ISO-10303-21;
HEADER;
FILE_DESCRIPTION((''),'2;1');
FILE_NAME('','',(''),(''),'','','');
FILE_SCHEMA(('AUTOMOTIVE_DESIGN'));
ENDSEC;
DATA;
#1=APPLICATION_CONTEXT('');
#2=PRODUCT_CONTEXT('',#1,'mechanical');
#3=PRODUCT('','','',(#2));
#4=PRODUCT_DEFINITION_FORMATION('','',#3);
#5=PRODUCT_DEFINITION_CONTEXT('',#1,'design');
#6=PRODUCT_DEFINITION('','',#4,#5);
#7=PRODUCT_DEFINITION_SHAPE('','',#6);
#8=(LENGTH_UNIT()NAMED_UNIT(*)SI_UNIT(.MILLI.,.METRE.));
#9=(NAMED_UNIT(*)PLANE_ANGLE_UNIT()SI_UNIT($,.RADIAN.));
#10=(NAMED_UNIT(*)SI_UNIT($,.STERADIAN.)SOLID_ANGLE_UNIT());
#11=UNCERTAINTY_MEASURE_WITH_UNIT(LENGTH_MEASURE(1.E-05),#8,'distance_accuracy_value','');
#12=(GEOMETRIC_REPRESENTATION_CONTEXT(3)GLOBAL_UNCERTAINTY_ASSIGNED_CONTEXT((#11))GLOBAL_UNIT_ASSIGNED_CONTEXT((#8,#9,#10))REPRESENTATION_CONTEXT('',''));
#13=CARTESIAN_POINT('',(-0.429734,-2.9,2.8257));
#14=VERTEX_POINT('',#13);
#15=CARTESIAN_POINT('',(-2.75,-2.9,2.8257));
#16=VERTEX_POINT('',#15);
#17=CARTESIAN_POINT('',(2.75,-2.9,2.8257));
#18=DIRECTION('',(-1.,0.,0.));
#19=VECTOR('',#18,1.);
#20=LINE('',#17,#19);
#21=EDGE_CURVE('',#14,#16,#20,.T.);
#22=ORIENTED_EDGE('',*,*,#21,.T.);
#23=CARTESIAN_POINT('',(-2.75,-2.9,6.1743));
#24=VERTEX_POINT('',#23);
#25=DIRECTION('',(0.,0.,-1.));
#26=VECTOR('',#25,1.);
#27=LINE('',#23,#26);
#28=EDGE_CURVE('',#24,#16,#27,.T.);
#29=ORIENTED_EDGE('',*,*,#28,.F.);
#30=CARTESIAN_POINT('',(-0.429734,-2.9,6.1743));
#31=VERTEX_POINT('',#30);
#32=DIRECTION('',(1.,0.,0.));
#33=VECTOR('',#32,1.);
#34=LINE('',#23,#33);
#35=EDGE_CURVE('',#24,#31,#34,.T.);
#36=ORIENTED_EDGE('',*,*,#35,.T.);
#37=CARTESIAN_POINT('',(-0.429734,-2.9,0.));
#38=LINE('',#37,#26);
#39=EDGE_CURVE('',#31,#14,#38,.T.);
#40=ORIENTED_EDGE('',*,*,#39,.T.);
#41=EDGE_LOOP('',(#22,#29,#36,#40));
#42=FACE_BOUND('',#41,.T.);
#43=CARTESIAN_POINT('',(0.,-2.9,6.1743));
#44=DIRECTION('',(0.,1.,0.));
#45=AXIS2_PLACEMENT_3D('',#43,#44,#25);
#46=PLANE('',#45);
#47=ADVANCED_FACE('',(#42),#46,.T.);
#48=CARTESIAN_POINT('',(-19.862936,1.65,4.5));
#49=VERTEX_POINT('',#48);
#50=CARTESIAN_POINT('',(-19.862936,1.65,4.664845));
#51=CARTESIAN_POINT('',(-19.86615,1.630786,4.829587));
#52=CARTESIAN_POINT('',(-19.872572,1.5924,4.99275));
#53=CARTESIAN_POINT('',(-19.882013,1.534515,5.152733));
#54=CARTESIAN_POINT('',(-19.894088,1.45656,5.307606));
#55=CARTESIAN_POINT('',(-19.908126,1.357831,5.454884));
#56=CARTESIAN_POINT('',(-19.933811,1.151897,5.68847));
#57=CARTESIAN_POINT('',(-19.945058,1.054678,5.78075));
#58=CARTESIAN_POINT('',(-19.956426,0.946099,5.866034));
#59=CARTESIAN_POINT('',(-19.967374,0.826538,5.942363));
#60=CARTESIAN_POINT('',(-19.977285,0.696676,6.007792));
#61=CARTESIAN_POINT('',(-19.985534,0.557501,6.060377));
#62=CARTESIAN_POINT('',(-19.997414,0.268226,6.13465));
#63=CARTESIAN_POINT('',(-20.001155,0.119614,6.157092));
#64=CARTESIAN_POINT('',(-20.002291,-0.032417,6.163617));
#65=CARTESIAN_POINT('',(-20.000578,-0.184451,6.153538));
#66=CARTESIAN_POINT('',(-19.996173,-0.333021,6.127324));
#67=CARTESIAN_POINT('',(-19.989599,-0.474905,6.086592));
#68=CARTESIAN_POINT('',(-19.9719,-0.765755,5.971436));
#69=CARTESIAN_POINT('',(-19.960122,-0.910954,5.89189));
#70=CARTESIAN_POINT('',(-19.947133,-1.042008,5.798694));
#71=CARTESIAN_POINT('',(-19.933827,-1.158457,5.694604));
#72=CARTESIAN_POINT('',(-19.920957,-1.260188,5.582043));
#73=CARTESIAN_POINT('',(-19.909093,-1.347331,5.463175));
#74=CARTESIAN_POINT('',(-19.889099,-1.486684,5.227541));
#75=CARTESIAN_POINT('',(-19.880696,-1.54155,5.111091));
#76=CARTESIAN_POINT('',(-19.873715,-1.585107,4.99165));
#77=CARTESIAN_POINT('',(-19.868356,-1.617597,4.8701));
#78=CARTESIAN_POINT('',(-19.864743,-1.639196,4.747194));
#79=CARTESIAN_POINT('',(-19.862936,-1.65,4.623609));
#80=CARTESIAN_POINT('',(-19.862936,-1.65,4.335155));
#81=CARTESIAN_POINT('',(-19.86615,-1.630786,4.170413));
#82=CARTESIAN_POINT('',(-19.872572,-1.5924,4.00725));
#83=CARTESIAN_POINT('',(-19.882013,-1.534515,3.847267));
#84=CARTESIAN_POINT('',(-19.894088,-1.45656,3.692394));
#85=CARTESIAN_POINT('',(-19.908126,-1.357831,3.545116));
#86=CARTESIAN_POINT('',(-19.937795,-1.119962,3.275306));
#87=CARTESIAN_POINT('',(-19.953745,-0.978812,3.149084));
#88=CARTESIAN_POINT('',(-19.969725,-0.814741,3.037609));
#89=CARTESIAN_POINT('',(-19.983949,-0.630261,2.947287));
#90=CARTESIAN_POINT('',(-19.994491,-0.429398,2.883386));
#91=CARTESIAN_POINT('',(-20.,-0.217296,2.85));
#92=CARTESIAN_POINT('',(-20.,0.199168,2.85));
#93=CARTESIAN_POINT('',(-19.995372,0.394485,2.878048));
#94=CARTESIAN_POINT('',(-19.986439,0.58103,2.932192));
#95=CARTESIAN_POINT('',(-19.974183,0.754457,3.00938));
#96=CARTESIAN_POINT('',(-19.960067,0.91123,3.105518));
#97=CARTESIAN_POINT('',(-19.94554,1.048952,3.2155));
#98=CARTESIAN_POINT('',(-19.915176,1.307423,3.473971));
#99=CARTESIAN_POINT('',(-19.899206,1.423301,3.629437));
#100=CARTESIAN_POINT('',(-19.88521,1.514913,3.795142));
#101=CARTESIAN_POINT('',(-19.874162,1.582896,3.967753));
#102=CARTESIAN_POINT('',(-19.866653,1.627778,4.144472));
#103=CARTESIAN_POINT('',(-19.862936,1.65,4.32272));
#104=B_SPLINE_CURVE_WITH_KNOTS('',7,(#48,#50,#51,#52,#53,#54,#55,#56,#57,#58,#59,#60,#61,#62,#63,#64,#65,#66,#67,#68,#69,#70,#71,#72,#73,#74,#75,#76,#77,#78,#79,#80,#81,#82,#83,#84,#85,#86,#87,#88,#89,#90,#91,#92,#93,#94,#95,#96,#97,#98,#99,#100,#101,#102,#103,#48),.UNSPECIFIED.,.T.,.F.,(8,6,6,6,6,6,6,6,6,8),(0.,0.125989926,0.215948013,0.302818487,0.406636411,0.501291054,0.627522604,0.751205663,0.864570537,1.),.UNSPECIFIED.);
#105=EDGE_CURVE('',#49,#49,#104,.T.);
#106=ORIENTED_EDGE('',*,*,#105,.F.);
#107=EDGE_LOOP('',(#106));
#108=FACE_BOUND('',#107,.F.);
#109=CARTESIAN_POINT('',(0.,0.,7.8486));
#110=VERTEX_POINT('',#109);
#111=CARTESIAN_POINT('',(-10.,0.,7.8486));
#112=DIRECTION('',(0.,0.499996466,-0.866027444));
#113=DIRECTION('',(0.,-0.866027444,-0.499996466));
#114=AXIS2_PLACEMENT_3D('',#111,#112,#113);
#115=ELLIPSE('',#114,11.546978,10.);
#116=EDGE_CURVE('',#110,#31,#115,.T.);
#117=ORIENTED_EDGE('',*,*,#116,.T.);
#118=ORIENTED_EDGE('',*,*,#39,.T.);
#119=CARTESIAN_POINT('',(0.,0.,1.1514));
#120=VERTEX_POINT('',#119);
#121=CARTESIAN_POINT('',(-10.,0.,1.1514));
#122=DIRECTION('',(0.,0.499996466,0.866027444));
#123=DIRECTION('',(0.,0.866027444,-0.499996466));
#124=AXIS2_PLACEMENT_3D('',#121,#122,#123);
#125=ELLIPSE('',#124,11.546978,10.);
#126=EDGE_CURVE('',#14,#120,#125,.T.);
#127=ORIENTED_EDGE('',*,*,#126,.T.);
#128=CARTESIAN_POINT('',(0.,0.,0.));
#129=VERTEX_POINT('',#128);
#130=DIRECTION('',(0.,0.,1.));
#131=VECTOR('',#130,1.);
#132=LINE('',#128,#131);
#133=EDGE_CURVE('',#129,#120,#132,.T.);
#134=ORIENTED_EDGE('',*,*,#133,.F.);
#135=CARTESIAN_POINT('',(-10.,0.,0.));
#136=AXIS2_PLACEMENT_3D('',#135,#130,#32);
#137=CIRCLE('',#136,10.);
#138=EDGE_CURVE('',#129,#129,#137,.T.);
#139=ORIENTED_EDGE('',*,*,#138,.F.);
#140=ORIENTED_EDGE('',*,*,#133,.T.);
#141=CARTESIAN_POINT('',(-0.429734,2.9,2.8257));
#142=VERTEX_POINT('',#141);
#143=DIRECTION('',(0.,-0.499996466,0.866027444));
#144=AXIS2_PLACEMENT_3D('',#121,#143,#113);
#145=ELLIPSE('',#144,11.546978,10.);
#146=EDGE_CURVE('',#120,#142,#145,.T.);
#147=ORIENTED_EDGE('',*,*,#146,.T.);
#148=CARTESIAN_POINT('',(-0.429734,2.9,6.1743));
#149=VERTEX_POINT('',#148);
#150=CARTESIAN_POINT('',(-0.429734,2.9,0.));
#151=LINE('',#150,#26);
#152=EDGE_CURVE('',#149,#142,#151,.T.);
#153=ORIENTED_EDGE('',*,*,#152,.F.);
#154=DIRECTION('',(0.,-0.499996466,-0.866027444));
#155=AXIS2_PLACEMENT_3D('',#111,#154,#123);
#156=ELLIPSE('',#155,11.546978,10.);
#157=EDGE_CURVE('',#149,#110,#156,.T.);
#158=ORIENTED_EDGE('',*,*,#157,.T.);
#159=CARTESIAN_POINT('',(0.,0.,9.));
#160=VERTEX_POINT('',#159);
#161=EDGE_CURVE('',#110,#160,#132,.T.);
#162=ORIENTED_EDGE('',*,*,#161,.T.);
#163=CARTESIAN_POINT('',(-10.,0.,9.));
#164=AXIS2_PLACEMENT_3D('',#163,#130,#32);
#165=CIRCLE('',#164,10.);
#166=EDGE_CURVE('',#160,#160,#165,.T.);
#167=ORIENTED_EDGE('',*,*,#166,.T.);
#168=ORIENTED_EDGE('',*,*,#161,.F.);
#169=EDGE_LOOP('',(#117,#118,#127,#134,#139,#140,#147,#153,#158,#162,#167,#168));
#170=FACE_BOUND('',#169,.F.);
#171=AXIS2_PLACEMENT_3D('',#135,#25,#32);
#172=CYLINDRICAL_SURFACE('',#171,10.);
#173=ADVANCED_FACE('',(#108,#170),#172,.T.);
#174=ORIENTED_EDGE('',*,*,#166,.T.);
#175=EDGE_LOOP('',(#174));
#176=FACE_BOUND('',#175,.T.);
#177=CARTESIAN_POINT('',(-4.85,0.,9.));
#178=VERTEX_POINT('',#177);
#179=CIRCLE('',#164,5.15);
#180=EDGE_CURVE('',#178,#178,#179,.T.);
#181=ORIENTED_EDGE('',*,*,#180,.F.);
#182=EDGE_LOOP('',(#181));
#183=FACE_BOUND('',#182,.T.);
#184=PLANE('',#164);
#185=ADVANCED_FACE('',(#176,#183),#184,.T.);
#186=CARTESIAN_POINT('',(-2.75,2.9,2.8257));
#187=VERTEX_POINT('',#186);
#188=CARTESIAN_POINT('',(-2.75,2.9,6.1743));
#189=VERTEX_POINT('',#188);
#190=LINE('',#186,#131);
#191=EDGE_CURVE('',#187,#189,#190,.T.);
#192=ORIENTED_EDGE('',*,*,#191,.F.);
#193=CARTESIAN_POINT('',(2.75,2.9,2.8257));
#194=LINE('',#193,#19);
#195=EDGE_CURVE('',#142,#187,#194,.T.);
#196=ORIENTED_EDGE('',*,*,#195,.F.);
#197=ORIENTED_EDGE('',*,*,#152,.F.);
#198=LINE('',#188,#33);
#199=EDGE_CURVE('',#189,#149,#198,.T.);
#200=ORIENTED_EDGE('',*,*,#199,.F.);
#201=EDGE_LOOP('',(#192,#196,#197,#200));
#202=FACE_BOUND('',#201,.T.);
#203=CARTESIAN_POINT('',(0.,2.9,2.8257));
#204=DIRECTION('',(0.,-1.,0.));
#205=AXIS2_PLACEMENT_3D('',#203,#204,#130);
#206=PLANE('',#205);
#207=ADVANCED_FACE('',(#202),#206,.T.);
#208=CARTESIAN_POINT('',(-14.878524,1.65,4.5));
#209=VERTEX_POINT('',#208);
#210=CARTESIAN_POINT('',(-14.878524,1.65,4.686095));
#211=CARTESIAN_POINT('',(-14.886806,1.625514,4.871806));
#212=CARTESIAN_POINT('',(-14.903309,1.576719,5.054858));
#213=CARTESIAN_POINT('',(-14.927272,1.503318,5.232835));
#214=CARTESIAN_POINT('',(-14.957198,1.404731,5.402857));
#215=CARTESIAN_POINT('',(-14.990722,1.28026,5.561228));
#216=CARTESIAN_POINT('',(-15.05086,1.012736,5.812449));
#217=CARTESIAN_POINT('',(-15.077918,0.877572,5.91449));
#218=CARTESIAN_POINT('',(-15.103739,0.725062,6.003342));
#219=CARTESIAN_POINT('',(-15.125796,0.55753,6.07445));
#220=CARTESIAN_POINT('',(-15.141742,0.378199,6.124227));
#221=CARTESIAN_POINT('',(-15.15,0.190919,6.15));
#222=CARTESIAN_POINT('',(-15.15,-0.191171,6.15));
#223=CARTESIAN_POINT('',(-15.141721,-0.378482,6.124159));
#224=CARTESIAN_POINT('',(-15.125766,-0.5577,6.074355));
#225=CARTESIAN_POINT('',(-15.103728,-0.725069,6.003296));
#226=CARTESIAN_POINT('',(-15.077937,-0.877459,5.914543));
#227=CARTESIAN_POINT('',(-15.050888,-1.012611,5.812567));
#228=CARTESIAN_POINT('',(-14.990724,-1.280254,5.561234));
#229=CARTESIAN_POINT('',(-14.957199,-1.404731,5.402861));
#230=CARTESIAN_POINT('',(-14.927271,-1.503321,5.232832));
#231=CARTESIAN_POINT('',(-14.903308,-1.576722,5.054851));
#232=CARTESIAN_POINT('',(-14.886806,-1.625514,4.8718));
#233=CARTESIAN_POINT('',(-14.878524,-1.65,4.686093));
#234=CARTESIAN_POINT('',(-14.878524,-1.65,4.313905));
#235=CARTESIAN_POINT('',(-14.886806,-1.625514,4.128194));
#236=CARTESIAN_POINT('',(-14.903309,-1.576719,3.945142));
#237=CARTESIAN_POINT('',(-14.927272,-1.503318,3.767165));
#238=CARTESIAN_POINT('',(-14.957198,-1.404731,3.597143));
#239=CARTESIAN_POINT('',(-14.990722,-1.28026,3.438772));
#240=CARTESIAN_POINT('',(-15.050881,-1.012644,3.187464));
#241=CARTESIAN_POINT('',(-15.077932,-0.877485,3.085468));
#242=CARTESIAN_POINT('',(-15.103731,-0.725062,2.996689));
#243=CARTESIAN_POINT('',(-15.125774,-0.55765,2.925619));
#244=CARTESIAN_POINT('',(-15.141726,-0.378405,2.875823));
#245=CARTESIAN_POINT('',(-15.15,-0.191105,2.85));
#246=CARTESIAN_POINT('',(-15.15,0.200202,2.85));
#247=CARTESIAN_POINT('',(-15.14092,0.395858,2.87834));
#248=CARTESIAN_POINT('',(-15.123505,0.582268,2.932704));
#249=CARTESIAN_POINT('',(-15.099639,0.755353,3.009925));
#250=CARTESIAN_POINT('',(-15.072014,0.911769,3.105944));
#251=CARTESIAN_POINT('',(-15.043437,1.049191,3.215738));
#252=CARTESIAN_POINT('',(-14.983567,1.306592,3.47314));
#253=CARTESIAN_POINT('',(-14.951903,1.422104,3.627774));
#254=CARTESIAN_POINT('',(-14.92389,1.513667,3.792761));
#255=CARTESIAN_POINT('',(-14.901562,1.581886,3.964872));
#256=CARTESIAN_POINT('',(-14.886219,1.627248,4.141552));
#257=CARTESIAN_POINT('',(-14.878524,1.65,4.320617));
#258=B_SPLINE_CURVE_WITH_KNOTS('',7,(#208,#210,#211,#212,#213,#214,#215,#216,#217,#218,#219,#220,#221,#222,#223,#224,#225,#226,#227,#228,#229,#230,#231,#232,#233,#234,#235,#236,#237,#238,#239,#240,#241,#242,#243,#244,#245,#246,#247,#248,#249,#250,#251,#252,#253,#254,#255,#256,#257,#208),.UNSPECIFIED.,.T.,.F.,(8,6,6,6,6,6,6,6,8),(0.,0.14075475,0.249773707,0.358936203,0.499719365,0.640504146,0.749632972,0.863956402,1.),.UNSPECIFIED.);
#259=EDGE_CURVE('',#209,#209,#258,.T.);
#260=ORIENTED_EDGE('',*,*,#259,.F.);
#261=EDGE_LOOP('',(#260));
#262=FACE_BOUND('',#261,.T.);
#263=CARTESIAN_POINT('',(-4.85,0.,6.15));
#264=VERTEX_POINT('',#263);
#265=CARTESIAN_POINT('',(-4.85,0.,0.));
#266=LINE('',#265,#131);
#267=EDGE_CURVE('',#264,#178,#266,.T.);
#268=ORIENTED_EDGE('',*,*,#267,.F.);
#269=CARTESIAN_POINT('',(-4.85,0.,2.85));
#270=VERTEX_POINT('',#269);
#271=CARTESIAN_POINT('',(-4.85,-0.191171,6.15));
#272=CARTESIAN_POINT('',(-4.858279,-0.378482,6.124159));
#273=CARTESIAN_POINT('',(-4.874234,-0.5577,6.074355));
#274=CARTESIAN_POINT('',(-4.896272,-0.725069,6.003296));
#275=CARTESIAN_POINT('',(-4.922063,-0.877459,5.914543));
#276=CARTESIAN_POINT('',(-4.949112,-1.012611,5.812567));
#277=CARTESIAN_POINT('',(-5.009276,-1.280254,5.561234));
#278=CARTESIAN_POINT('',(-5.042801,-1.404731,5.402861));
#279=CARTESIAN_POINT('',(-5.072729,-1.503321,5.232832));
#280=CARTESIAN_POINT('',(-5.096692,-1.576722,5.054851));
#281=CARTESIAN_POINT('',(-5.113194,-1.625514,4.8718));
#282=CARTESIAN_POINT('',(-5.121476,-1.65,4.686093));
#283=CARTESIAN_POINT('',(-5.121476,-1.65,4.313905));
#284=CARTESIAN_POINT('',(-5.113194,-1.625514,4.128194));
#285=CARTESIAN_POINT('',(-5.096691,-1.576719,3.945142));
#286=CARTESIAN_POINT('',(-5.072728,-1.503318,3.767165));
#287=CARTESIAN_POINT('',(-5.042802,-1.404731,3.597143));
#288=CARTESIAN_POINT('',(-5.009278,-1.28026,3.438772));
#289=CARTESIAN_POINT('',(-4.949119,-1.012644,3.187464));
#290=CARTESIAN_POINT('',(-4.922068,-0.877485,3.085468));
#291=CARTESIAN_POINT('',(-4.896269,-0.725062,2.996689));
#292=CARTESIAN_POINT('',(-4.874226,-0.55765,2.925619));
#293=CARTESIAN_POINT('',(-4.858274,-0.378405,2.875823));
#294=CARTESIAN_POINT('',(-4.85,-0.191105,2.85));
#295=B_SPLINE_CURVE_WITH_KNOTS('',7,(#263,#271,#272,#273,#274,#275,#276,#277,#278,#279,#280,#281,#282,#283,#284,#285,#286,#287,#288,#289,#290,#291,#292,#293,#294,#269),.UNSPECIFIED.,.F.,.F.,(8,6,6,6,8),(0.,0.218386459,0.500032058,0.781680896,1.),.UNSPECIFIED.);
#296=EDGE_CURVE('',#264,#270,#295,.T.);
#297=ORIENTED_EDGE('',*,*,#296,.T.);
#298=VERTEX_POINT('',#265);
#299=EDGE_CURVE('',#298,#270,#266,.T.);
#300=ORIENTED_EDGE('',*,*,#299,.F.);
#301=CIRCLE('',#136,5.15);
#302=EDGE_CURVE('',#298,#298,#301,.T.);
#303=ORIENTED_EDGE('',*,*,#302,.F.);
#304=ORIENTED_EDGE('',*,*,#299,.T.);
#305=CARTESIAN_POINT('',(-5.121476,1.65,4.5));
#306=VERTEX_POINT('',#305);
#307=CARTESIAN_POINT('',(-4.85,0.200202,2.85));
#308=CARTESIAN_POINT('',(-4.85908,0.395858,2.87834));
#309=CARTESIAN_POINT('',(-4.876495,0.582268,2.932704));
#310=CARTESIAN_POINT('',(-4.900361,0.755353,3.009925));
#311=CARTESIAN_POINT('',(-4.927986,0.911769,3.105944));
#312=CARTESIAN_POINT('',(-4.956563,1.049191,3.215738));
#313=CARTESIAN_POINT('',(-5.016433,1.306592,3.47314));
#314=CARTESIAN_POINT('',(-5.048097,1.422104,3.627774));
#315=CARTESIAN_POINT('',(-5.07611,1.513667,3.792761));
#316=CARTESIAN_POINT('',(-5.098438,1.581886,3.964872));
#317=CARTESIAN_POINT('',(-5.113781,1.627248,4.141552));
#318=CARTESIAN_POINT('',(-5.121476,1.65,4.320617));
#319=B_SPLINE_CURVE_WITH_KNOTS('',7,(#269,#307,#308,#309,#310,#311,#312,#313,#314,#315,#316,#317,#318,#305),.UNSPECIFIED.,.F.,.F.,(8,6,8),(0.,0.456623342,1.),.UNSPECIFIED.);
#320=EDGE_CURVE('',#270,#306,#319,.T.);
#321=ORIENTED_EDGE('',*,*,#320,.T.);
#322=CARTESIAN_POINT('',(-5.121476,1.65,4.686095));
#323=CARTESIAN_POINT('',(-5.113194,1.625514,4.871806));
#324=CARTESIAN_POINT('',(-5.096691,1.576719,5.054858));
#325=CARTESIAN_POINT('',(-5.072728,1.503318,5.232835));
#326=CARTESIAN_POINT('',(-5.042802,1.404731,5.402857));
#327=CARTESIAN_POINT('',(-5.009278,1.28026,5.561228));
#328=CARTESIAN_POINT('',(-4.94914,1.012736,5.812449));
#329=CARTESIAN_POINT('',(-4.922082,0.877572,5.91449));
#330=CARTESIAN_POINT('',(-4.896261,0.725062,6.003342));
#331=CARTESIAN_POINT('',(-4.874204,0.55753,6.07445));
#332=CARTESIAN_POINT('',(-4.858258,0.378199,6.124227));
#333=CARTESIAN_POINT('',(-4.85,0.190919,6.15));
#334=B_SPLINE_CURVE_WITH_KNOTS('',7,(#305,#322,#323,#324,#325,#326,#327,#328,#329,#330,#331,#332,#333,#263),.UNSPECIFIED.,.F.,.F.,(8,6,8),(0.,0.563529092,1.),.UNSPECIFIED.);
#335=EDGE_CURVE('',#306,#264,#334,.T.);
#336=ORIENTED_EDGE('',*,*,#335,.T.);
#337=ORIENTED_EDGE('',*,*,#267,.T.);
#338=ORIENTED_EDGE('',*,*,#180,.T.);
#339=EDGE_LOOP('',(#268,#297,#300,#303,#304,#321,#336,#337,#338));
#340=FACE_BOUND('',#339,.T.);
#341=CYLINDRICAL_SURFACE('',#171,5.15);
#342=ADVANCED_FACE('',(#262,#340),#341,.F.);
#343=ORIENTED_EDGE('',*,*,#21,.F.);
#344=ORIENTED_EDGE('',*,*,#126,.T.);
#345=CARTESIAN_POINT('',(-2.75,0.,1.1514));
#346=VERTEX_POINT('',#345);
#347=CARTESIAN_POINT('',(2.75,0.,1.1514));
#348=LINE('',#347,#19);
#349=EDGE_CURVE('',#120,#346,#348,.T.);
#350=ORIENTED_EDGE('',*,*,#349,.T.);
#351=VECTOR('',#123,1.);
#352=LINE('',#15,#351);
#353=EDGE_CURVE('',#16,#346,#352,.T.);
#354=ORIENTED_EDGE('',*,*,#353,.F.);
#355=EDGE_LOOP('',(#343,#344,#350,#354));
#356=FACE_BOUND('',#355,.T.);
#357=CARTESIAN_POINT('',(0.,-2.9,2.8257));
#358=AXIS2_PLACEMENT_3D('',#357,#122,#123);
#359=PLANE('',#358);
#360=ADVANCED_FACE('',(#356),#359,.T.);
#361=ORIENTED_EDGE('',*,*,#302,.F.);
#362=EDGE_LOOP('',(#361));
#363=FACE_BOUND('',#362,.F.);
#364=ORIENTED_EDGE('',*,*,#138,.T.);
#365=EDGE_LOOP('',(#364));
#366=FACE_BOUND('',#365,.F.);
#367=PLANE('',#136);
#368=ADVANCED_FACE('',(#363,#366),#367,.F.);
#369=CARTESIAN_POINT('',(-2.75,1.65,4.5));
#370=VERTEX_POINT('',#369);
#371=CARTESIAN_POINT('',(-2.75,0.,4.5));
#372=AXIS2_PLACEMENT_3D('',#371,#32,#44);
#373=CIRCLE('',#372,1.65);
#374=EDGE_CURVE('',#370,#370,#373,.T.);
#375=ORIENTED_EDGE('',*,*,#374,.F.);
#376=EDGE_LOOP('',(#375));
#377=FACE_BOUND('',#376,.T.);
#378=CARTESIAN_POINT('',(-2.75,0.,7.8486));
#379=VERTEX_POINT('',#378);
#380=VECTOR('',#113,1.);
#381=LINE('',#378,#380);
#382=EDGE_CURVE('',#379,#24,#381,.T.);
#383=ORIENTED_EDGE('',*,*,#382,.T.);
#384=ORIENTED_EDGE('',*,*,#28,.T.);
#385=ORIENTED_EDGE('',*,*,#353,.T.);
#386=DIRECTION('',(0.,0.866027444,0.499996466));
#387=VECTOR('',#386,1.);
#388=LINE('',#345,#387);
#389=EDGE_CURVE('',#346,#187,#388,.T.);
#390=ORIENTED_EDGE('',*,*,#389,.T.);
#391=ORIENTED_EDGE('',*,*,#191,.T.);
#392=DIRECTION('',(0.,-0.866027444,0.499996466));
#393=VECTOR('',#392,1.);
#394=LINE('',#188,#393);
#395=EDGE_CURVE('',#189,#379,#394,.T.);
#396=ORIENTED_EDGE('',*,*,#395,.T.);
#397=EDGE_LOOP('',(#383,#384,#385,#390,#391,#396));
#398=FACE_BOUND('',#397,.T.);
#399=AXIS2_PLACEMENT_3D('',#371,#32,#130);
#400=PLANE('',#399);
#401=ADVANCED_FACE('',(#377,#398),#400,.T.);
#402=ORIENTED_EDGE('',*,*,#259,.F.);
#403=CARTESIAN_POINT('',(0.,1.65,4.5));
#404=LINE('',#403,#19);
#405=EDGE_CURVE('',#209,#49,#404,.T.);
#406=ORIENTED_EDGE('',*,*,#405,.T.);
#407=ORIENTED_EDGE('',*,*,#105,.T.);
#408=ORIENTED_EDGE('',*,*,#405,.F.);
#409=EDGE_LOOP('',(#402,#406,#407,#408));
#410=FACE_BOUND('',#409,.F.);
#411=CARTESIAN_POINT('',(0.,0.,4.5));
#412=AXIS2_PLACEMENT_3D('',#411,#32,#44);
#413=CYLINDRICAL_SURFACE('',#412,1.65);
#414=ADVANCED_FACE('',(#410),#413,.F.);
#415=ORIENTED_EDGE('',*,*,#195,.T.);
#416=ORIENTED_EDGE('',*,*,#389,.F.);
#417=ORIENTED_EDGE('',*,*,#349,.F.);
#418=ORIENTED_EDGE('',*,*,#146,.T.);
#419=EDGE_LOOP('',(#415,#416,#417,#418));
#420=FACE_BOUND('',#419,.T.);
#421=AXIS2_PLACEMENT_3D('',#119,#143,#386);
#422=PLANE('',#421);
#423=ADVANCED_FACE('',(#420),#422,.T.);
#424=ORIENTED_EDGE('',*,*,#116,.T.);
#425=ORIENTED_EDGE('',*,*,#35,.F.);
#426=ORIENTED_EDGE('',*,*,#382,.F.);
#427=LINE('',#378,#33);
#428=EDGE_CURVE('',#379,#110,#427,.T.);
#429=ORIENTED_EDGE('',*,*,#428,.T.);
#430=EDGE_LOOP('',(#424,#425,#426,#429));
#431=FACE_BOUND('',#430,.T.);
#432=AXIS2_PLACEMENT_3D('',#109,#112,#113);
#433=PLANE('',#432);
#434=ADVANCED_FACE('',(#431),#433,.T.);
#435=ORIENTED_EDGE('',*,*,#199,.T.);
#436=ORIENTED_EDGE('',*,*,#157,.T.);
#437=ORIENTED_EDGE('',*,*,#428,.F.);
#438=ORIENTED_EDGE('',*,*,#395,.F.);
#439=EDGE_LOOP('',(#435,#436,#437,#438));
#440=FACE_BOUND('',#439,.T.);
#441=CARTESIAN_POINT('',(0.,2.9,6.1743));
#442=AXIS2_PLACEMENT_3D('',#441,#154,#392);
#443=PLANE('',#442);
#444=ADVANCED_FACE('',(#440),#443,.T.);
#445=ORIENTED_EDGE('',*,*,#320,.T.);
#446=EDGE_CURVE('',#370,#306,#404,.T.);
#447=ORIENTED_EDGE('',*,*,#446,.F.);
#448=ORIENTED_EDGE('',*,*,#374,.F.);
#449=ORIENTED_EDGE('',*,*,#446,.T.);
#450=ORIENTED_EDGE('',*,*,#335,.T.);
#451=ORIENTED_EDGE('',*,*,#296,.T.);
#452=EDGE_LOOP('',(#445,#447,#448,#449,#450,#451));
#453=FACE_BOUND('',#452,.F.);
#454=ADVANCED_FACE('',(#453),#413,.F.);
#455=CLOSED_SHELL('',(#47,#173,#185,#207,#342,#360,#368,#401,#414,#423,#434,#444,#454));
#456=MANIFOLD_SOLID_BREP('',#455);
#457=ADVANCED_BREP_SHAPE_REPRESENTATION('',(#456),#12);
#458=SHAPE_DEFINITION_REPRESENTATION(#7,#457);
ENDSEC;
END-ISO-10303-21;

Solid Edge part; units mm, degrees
sketch "Sketch1" plane through (0, 0, 0) normal (0, 0, 1) x (1, 0, 0)
  circle A0 centre (-10, 0) radius 5.15
  circle A1 centre (-10, 0) radius 10
  dimension "D1" = 10.3
  dimension "D2" = 20
extrude "Protrusion1" add sketch "Sketch1" along normal blind 9
sketch "Sketch2" plane through (0, 0, 0) normal (1, 0, 0) x (0, 1, 0)
  circle A0 centre (0, 4.5) radius 1.65
extrude "ExtrudedCutout_1" cut sketch "Sketch2" along normal mid plane 46.3227
sketch "Sketch3" plane through (0, 0, 0) normal (1, 0, 0) x (0, 1, 0)
  line L0 (2.9, 2.8257) -> (2.9, 6.1743)
  line L1 (2.9, 6.1743) -> (0, 7.8486)
  line L2 (0, 7.8486) -> (-2.9, 6.1743)
  line L3 (-2.9, 6.1743) -> (-2.9, 2.8257)
  line L4 (-2.9, 2.8257) -> (0, 1.1514)
  line L5 (0, 1.1514) -> (2.9, 2.8257)
  dimension "D1" = 5.8
extrude "ExtrudedCutout_2" cut sketch "Sketch3" along normal mid plane 5.5
